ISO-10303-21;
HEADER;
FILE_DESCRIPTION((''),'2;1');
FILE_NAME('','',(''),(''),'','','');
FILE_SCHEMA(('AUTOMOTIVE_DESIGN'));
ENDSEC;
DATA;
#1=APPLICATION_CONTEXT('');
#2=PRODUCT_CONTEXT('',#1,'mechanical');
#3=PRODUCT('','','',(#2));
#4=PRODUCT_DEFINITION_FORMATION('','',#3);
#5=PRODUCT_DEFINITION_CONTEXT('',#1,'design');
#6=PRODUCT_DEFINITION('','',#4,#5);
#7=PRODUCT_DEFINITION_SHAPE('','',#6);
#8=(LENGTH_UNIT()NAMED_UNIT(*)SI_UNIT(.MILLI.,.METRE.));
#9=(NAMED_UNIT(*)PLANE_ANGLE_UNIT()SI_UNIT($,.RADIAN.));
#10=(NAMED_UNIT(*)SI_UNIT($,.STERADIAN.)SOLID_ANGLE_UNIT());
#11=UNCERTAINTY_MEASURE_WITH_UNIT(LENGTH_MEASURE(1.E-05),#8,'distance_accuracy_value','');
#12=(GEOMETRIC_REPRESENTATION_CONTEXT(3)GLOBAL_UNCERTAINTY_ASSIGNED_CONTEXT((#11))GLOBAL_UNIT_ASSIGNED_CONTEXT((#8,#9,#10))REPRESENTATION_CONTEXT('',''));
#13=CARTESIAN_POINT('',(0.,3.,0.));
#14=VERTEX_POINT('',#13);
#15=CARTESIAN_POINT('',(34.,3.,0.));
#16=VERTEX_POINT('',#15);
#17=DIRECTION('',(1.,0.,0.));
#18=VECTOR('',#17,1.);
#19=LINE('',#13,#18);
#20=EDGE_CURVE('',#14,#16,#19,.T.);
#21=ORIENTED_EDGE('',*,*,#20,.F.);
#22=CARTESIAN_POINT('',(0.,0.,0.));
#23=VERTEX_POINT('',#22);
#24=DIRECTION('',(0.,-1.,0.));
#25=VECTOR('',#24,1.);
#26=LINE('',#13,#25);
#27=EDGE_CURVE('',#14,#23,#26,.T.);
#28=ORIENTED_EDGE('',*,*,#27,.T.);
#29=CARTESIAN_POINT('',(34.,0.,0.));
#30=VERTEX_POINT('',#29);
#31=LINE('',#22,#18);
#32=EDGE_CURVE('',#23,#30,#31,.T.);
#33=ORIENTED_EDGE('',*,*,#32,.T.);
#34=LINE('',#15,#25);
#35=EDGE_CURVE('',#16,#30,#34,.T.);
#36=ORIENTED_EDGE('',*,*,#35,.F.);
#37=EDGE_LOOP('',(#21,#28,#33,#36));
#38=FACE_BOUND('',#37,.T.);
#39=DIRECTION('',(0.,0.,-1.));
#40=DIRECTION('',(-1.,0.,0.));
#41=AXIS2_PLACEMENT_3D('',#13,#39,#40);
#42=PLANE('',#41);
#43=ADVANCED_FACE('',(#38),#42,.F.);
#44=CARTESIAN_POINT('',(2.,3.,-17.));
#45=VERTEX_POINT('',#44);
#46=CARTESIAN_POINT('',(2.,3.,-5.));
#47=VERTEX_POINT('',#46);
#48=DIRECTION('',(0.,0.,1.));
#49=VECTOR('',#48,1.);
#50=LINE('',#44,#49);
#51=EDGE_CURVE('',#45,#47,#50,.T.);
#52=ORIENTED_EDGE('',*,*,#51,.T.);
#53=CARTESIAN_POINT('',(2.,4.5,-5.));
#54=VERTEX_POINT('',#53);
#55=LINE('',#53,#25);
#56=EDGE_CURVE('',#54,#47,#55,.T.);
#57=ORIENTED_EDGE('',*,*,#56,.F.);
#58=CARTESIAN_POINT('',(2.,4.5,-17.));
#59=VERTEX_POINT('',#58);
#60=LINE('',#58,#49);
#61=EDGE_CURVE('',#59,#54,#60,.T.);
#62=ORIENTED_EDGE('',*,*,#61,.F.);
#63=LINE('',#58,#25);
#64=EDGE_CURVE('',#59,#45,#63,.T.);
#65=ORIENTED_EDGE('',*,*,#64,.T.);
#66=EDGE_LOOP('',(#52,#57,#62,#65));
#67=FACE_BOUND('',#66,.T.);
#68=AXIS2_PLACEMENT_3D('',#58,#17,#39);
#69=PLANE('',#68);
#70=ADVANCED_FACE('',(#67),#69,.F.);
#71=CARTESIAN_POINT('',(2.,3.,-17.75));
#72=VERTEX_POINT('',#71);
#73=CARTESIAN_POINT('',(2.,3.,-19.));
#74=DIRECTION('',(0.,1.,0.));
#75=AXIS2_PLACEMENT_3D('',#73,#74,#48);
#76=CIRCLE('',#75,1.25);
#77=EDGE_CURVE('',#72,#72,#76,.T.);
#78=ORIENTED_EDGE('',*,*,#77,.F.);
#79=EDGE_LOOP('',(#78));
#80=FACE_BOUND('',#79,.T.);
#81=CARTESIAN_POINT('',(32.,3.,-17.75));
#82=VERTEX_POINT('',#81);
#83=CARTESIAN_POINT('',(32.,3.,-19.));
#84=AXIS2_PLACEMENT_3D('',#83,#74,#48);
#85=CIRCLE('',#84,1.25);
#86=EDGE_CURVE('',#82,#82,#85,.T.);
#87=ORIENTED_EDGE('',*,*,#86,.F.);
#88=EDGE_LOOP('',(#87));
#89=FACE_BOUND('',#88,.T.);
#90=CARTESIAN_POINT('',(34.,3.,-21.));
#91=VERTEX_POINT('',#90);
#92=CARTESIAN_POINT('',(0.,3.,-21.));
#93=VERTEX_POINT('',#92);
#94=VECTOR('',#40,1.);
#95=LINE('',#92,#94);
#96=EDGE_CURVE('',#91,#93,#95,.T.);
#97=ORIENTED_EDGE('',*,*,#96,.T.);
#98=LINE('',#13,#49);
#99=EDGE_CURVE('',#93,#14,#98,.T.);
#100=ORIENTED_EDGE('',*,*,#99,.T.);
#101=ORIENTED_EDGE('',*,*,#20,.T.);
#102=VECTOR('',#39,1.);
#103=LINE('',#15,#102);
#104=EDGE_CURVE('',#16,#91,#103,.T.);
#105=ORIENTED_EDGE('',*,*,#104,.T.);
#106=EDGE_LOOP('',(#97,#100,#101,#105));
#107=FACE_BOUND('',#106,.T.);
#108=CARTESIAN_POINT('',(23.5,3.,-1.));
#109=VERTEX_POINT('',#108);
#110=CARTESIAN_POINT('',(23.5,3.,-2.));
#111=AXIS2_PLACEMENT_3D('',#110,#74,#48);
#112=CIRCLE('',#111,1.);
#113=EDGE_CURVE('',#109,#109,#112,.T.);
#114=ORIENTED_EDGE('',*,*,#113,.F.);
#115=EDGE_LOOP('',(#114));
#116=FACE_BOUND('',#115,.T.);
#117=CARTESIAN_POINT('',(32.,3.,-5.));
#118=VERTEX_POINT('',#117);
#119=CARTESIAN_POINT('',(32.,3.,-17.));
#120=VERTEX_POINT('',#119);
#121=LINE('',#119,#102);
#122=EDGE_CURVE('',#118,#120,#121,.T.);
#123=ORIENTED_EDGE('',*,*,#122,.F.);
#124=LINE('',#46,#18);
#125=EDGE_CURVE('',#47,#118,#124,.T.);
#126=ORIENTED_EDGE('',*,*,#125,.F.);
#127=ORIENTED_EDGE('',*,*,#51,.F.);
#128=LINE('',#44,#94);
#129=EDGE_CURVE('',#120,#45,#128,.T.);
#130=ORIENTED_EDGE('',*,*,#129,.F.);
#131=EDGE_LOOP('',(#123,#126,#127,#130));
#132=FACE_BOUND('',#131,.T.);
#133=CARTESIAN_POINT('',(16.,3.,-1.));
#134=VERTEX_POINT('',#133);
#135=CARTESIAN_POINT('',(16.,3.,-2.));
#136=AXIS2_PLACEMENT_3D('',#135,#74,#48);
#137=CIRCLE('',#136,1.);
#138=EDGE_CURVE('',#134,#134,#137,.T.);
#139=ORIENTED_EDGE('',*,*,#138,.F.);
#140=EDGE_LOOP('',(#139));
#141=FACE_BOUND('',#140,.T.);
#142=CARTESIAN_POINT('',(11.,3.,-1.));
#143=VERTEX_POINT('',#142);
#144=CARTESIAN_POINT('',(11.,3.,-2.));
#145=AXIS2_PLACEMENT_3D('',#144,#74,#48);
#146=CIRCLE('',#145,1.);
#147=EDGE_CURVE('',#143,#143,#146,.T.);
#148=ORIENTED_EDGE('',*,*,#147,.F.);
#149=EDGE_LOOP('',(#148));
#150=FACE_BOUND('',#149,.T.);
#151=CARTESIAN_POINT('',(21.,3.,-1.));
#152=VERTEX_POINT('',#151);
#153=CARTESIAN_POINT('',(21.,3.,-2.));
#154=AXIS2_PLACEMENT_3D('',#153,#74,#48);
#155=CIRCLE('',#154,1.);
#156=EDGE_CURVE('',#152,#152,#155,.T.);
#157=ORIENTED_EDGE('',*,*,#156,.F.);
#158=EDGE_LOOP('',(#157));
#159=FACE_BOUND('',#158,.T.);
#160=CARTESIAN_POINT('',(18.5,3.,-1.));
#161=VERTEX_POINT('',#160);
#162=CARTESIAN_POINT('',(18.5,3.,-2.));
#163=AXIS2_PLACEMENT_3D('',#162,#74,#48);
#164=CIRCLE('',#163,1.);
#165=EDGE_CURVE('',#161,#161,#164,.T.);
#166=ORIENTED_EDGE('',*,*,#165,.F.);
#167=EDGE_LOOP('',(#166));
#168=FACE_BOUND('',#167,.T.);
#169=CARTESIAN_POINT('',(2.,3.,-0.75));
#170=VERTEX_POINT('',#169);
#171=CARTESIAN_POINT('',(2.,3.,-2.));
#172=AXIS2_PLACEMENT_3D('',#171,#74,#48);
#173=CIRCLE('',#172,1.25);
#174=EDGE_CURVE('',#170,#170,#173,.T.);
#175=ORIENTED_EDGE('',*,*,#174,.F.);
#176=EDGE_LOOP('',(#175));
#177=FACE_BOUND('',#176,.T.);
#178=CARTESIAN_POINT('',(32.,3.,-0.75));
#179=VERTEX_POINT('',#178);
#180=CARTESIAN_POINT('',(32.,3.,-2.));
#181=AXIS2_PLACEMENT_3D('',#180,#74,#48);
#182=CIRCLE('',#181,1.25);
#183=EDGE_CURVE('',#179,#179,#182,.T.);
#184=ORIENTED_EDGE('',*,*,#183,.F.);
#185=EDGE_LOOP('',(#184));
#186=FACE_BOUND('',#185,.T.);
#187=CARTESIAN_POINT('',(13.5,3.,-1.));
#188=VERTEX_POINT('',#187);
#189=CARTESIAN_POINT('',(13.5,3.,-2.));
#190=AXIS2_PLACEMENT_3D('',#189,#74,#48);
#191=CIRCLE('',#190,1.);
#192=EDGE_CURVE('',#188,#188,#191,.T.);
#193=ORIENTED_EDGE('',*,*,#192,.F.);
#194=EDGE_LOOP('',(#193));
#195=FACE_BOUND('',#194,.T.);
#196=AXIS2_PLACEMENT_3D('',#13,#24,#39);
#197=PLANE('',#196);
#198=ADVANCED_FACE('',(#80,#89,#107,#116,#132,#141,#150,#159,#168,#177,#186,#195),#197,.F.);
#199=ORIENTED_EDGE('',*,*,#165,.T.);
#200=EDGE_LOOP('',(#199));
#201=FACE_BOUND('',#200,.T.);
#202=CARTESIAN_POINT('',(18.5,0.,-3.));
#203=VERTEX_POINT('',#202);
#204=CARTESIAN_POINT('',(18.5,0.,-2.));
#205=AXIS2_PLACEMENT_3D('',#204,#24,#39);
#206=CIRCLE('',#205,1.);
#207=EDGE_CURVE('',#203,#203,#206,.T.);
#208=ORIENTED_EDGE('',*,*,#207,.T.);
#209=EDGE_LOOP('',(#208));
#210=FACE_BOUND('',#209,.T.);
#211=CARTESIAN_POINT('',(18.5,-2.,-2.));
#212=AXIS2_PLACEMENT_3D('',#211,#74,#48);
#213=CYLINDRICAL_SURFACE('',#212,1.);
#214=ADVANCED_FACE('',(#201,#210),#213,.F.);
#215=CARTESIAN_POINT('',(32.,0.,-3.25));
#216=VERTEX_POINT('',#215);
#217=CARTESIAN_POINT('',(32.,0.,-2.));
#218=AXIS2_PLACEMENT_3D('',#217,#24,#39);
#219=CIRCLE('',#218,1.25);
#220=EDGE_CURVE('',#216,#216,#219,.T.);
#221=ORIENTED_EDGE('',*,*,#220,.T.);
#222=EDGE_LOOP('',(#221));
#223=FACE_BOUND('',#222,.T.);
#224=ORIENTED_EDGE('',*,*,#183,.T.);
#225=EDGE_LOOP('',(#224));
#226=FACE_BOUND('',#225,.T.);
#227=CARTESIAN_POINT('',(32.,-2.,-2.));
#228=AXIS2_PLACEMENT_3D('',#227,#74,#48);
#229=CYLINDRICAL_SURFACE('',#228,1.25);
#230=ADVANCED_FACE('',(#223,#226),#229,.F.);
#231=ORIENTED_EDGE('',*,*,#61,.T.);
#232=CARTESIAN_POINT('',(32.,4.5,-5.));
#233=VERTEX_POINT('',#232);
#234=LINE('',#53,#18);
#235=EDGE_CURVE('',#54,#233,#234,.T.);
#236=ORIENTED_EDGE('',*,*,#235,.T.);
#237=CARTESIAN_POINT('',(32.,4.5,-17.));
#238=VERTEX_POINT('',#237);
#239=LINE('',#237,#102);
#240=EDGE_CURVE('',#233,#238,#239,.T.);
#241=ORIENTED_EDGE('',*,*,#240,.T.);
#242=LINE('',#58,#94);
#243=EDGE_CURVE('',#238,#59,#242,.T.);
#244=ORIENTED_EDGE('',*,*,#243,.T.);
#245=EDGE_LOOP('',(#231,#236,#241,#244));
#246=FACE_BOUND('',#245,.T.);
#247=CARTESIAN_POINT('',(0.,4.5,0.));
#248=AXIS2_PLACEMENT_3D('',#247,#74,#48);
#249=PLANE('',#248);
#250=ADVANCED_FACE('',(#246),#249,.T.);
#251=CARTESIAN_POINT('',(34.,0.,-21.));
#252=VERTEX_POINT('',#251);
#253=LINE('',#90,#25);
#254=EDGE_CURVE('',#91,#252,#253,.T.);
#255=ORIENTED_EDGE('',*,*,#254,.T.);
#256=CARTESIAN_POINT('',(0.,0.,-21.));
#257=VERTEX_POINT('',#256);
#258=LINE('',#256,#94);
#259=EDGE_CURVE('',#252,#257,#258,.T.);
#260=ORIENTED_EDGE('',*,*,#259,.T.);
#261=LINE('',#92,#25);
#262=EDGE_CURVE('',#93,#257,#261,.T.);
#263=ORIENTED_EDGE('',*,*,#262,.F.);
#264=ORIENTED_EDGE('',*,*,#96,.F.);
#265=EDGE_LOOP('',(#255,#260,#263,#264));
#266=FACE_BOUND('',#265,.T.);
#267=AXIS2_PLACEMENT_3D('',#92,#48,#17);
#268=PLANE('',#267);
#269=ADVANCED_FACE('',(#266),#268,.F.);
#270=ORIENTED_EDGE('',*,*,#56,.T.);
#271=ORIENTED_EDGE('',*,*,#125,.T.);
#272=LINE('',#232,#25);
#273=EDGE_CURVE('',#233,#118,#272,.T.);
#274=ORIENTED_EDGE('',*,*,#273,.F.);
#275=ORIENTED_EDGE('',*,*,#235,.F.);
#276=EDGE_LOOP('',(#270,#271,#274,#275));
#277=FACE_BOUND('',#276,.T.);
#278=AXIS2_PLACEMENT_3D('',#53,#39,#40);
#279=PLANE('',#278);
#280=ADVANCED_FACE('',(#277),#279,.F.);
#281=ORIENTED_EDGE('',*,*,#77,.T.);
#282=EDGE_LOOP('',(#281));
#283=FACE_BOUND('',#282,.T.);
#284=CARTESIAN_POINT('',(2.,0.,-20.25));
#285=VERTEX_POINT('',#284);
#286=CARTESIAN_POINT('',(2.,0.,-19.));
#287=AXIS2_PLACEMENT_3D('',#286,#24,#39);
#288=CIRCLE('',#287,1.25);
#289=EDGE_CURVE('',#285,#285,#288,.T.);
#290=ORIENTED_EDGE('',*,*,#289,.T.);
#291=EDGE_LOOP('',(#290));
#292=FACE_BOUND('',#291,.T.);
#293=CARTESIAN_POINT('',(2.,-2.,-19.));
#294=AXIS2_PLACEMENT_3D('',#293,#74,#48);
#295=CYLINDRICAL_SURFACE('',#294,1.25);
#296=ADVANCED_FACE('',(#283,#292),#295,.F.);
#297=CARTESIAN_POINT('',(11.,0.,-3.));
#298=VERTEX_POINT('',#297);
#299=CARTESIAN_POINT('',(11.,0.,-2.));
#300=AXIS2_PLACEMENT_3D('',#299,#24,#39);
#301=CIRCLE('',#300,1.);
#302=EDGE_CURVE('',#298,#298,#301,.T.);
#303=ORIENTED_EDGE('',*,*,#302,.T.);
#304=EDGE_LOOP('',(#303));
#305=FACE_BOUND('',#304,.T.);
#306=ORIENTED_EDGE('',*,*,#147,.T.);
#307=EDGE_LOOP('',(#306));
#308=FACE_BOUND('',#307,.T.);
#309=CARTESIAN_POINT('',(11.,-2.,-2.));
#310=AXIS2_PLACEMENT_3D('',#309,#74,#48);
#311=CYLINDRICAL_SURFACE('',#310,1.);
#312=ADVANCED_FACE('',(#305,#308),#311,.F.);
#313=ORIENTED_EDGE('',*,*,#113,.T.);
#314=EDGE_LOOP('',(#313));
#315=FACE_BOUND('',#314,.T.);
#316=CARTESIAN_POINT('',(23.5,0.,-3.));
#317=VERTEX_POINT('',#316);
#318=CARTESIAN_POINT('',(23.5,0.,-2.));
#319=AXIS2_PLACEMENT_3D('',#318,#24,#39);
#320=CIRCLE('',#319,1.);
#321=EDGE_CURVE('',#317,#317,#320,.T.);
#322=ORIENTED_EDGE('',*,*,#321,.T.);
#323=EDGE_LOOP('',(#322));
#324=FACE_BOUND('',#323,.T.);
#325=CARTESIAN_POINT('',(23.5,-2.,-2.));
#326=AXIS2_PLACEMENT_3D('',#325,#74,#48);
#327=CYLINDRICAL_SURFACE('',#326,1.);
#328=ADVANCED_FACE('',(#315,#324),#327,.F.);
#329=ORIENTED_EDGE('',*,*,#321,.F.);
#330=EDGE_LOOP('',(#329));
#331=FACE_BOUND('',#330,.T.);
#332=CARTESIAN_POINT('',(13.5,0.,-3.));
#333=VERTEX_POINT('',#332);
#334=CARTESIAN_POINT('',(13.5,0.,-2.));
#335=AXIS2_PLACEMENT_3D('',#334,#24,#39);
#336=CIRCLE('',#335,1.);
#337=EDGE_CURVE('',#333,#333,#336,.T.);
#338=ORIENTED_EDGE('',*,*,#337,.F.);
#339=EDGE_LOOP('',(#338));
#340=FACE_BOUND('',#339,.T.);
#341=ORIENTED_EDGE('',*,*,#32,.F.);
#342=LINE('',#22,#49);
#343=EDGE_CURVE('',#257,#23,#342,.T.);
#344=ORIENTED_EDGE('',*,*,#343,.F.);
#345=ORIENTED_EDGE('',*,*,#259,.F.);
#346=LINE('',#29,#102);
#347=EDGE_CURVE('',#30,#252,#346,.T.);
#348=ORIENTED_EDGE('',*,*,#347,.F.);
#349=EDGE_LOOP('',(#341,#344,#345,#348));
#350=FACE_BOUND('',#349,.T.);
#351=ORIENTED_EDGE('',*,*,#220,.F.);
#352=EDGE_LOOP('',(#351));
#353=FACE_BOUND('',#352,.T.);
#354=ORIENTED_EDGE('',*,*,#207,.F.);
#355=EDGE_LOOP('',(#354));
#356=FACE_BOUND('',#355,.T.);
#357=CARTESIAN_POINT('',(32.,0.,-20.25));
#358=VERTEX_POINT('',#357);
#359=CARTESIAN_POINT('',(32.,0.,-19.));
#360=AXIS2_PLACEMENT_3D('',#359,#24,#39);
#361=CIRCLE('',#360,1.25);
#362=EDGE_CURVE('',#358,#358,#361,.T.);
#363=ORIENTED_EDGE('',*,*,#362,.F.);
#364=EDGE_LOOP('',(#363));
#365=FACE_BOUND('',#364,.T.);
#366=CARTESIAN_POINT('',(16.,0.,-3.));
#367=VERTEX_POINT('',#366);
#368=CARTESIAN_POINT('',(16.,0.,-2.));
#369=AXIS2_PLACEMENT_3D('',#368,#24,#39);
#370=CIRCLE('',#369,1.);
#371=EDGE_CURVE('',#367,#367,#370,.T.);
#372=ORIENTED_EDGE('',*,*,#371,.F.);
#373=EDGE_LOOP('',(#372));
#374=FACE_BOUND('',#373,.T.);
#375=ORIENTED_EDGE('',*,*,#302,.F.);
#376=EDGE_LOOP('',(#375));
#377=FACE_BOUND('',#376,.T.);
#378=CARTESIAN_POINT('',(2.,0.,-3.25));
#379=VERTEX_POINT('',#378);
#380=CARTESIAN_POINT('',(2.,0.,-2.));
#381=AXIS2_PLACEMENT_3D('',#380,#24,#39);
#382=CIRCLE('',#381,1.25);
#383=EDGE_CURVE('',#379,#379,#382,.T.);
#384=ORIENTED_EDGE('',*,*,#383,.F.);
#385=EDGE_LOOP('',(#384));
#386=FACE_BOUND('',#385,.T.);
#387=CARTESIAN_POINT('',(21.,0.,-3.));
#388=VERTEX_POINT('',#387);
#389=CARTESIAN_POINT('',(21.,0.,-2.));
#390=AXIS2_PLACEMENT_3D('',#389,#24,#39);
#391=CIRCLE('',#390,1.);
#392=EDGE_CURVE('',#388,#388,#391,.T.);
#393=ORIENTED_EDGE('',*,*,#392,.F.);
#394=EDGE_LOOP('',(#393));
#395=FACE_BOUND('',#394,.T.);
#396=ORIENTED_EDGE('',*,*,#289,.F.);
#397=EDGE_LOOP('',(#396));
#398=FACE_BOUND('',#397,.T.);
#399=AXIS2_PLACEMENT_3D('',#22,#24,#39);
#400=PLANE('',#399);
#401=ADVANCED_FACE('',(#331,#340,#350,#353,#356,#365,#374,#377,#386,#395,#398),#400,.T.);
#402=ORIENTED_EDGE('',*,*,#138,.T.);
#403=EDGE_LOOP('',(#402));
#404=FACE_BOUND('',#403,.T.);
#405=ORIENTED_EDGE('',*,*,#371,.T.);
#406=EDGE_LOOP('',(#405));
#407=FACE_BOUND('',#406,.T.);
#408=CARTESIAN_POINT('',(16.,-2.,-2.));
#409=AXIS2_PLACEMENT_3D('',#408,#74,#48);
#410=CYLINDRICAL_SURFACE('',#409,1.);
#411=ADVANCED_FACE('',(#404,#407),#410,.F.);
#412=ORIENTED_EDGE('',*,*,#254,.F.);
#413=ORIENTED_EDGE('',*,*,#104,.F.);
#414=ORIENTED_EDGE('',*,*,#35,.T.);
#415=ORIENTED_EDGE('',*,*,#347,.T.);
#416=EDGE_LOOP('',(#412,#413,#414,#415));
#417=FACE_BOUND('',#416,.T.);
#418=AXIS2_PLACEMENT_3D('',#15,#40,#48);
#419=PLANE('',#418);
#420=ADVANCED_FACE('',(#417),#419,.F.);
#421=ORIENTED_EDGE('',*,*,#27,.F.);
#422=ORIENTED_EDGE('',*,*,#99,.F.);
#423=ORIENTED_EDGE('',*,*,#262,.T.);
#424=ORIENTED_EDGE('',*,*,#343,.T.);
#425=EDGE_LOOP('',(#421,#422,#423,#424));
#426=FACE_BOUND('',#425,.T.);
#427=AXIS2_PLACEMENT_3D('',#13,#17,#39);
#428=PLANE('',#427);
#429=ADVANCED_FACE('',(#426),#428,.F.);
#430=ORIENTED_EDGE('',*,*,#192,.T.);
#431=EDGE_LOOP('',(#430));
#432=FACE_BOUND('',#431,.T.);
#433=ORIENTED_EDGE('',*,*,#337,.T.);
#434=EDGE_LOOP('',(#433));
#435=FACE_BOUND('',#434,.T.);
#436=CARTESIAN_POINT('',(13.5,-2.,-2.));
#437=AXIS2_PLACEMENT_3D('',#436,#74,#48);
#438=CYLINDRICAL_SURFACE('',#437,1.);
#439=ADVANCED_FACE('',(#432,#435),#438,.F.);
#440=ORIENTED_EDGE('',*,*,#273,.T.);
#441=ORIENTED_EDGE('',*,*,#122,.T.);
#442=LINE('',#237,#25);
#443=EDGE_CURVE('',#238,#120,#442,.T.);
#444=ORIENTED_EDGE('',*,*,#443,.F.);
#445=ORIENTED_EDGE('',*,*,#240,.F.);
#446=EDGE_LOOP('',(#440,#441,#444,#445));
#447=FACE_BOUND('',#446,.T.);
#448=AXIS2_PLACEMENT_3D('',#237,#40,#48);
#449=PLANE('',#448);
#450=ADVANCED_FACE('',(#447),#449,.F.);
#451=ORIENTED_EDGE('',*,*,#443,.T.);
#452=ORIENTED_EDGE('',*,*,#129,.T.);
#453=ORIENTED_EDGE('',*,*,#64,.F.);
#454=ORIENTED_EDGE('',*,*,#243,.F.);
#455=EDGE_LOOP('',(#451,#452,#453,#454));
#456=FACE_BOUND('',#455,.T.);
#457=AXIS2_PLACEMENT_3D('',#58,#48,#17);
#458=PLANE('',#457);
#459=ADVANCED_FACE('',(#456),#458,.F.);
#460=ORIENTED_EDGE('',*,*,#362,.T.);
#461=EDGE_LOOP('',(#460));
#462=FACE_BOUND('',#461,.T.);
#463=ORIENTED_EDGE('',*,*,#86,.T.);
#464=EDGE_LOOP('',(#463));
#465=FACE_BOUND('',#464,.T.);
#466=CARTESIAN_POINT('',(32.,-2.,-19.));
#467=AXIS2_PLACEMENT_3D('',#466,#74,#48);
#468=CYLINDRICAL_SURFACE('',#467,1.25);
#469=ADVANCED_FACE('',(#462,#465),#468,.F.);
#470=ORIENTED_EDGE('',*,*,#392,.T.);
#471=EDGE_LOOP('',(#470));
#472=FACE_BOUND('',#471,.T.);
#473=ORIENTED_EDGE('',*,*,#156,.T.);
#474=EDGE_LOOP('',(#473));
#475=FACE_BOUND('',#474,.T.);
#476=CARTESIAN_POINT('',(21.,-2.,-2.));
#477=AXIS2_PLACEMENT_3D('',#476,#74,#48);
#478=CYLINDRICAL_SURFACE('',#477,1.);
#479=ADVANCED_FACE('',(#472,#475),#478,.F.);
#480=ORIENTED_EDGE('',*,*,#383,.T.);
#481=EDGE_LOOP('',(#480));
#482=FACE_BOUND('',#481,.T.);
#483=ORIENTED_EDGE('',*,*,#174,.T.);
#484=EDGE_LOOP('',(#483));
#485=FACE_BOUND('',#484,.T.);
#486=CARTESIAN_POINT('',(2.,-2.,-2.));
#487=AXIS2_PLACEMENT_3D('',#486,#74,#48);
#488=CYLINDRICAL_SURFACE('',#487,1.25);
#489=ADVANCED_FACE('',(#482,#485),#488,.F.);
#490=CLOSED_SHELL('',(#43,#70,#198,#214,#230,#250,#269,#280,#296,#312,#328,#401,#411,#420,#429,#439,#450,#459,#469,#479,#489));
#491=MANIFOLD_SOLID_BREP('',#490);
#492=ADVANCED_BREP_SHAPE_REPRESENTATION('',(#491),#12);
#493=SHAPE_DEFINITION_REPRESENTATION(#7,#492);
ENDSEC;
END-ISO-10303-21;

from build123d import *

# Parameters (mm, degrees)
ESQUISSE1_W             = 34
ESQUISSE1_H             = 21
BOSS_EXTRU_1_DEPTH      = 3
ESQUISSE2_W             = 30
ESQUISSE2_H             = 12
BOSS_EXTRU_2_DEPTH      = 1.5
ESQUISSE3_R             = 1
ESQUISSE3_R_2           = 1.25
ENL_V_MAT_EXTRU_1_DEPTH = 5


with BuildPart() as part:
    # Esquisse1 → Boss.-Extru.1 (new body)
    with BuildSketch(Plane(origin=(0, 0, 0), x_dir=(1, 0, 0), z_dir=(0, 1, 0))):
        with Locations((17, 10.5)):
            Rectangle(ESQUISSE1_W, ESQUISSE1_H)
    extrude(amount=BOSS_EXTRU_1_DEPTH)

    # Esquisse2 → Boss.-Extru.2 (add)
    with BuildSketch(Plane(origin=(0, 3, 0), x_dir=(1, 0, 0), z_dir=(0, 1, 0))):
        with Locations((17, 11)):
            Rectangle(ESQUISSE2_W, ESQUISSE2_H)
    extrude(amount=BOSS_EXTRU_2_DEPTH)

    # Esquisse3 → Enlèv. mat.-Extru.1 (cut)
    with BuildSketch(Plane(origin=(0, 3, 0), x_dir=(1, 0, 0), z_dir=(0, 1, 0))):
        with Locations(Location((11, 2, 0), (0, 0, 270))):
            Circle(ESQUISSE3_R)
        with Locations(Location((13.5, 2, 0), (0, 0, 270))):
            Circle(ESQUISSE3_R)
        with Locations(Location((16, 2, 0), (0, 0, 270))):
            Circle(ESQUISSE3_R)
        with Locations(Location((18.5, 2, 0), (0, 0, 270))):
            Circle(ESQUISSE3_R)
        with Locations(Location((21, 2, 0), (0, 0, 270))):
            Circle(ESQUISSE3_R)
        with Locations(Location((23.5, 2, 0), (0, 0, 270))):
            Circle(ESQUISSE3_R)
        with Locations(Location((2, 2, 0), (0, 0, 270))):
            Circle(ESQUISSE3_R_2)
        with Locations(Location((2, 19, 0), (0, 0, 270))):
            Circle(ESQUISSE3_R_2)
        with Locations(Location((32, 19, 0), (0, 0, 270))):
            Circle(ESQUISSE3_R_2)
        with Locations(Location((32, 2, 0), (0, 0, 270))):
            Circle(ESQUISSE3_R_2)
    extrude(amount=-ENL_V_MAT_EXTRU_1_DEPTH, mode=Mode.SUBTRACT)


solid = part.part
